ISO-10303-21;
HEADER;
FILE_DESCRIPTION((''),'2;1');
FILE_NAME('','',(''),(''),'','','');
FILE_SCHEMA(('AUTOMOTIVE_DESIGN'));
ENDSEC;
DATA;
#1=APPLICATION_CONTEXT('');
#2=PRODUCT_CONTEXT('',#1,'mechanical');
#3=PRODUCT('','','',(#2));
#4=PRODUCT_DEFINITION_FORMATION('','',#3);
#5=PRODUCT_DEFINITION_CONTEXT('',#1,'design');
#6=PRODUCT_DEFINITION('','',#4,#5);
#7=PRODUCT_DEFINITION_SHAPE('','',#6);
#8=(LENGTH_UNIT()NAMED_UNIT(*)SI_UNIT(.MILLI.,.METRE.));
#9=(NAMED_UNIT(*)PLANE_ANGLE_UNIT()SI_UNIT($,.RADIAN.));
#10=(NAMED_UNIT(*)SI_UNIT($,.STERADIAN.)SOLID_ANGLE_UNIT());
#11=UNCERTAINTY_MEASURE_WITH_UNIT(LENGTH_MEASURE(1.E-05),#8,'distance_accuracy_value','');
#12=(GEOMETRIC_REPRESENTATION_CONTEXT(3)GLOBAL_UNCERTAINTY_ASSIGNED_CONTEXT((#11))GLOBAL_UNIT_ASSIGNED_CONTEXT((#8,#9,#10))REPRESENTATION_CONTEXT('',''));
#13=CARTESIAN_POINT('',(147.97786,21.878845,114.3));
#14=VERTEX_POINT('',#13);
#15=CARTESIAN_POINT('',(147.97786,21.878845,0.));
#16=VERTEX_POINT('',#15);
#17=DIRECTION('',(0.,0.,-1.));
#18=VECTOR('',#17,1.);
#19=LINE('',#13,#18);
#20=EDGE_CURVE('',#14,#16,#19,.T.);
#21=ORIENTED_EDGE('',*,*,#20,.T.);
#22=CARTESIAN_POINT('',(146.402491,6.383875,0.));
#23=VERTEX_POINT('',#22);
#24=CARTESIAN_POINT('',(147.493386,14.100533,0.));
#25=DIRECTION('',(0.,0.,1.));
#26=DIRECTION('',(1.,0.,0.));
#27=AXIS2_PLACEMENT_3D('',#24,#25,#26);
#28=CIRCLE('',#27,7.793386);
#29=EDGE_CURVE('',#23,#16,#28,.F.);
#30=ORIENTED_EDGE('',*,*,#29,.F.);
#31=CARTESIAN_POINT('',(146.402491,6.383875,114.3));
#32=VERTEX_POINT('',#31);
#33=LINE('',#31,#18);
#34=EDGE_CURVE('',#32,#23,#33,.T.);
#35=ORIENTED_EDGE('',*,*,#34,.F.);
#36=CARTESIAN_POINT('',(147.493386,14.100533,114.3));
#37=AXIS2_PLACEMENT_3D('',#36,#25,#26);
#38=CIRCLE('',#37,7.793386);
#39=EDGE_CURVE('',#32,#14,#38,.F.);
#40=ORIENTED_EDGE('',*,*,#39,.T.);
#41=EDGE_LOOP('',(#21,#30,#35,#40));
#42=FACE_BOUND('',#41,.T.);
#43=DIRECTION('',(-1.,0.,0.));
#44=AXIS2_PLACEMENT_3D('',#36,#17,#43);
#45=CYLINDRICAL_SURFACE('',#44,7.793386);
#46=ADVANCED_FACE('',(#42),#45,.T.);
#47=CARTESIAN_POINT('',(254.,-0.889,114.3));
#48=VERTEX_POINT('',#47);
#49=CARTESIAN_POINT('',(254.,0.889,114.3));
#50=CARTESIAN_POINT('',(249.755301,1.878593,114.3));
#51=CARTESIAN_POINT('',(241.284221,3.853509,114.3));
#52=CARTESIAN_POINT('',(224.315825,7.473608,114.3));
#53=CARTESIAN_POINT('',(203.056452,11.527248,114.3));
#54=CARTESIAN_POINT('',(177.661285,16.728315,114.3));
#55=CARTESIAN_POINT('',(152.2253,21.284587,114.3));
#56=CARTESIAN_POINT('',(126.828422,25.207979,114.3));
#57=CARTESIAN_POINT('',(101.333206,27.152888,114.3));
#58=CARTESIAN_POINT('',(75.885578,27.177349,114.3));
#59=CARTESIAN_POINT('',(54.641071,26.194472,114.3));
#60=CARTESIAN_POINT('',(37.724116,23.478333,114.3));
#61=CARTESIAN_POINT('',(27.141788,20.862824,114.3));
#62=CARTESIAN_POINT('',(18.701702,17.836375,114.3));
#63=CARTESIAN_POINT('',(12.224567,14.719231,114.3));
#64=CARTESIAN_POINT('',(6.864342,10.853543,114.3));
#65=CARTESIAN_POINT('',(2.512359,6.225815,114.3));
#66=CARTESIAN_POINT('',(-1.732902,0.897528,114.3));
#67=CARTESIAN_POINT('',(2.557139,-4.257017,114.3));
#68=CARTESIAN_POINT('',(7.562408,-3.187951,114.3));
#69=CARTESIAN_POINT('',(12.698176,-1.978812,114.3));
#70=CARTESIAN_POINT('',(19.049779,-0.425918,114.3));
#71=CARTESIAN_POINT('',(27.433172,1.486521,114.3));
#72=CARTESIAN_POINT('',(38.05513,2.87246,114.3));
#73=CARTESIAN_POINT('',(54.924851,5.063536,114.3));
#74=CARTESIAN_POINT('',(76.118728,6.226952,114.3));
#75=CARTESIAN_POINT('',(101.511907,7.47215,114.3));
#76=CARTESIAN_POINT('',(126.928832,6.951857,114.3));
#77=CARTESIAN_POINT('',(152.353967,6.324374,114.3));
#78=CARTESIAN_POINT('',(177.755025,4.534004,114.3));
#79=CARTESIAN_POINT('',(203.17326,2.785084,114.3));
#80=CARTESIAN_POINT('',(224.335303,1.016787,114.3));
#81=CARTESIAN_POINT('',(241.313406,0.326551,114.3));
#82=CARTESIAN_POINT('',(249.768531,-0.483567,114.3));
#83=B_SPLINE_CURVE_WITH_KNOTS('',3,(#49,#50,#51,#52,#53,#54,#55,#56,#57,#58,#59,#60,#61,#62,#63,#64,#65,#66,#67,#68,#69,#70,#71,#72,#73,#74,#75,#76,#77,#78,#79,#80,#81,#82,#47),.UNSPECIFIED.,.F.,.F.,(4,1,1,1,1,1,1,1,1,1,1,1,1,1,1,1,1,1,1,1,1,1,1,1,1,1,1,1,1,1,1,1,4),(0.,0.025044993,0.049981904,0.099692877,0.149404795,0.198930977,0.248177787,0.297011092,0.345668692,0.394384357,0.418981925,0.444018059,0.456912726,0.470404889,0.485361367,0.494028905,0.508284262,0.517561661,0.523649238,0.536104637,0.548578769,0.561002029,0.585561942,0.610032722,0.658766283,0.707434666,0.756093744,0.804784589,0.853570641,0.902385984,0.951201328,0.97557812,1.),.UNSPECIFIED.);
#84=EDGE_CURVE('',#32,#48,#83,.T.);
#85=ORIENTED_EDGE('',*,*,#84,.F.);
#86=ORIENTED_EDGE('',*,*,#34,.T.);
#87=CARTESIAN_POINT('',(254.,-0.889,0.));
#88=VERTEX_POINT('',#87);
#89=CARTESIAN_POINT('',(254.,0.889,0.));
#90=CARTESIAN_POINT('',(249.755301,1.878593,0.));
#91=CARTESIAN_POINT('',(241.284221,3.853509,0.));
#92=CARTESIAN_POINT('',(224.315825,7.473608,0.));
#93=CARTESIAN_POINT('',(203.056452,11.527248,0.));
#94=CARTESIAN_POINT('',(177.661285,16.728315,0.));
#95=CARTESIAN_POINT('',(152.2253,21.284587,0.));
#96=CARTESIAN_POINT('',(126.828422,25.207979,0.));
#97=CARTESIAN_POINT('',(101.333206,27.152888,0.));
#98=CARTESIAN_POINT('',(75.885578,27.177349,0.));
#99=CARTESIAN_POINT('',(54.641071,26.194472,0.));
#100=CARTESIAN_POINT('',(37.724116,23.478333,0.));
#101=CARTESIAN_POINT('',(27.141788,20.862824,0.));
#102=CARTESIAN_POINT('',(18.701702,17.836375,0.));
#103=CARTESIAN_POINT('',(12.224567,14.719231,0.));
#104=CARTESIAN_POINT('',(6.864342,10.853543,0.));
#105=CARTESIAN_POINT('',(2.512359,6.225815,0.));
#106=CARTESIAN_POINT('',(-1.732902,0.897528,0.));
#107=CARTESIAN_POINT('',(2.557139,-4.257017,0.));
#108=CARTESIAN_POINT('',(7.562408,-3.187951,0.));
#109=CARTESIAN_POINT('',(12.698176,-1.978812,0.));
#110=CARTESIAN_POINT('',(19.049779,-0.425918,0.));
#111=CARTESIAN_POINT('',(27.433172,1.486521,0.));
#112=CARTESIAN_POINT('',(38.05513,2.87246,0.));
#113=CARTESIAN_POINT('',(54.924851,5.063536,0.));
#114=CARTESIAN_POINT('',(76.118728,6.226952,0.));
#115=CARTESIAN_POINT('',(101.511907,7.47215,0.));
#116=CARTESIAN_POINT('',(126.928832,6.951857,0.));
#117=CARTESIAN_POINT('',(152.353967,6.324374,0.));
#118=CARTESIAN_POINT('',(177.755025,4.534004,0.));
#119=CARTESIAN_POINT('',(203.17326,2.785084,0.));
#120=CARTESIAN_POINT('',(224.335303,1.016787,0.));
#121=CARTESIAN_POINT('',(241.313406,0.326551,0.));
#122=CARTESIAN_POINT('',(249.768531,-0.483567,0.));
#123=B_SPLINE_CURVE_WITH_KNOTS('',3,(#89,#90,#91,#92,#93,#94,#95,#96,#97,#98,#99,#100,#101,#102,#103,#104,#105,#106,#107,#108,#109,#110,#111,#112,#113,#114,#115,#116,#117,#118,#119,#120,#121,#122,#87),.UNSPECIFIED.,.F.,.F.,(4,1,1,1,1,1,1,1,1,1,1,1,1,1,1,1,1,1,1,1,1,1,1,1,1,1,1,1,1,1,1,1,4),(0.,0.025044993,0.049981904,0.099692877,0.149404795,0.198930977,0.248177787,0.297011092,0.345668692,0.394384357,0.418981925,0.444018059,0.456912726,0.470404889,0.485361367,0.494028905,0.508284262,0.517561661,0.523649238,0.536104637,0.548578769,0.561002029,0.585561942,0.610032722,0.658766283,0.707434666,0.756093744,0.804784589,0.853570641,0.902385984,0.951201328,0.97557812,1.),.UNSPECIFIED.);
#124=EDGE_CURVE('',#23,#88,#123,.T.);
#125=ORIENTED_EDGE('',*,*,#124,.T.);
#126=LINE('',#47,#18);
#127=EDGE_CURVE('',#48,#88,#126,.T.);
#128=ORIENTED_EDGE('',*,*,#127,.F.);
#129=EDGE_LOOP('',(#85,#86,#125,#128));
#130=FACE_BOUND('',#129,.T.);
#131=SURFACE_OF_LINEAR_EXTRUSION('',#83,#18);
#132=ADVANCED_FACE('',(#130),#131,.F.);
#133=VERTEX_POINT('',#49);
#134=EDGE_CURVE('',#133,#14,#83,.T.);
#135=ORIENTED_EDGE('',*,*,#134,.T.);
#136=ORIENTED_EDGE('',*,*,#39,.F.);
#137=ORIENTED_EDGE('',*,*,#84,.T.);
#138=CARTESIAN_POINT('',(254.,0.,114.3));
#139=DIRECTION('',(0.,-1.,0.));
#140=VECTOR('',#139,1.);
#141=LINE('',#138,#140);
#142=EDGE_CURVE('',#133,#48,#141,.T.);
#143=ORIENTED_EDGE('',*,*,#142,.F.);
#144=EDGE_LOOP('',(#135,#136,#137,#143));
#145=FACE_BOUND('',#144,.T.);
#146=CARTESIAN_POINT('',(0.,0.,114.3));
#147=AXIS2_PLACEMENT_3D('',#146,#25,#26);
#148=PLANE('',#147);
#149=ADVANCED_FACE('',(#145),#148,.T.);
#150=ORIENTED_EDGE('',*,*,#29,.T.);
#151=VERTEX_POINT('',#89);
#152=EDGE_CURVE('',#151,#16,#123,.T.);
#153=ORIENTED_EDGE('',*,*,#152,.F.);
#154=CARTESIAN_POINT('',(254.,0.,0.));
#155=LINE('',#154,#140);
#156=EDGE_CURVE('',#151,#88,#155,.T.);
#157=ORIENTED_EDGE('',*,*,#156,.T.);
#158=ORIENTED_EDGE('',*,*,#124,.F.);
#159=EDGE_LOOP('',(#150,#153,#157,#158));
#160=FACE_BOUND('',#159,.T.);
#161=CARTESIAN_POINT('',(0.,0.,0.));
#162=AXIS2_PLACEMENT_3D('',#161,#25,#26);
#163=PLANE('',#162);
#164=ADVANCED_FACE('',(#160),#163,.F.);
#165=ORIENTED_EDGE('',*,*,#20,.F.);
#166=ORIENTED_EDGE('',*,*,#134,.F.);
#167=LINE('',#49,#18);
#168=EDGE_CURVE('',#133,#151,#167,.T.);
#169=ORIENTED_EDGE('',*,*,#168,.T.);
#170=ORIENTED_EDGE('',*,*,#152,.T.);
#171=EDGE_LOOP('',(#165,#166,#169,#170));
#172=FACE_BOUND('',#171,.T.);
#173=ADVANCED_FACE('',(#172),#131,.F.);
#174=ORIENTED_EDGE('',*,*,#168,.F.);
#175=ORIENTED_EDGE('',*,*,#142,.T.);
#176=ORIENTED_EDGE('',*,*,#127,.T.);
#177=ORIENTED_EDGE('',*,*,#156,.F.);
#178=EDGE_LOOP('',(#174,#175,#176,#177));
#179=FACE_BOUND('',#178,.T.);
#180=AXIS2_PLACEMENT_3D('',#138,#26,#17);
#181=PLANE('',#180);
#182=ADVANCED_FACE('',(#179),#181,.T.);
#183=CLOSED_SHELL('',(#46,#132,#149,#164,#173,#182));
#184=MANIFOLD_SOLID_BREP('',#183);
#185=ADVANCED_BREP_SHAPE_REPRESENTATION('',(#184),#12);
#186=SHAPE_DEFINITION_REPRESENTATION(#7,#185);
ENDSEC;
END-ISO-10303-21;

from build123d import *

# Parameters (mm, degrees)
BOSS_EXTRUDE1_DEPTH = 114.3


with BuildPart() as part:
    # Sketch1 → Boss-Extrude1 (new body)
    with BuildSketch(Plane.XY):
        with BuildLine():
            Line((254, -0.889), (254, 0.889))
            add(Edge.make_bspline(
                [(254, 0.889), (249.755300971, 1.878593359), (241.284220881, 3.853509493), (224.315824879, 7.473607963), (203.056452147, 11.527247876), (177.661285298, 16.728315171), (159.271445788, 20.022431729), (149.372045682, 21.653055355), (147.97786, 21.878845413)],
                knots=[0, 0, 0, 0, 0.025044993, 0.049981904, 0.099692877, 0.149404795, 0.198930977, 0.207045259, 0.207045259, 0.207045259, 0.207045259], degree=3))
            ThreePointArc((147.97786, 21.878845413), (142.156665485, 19.779994096), (139.7, 14.100533107))
            ThreePointArc((139.7, 14.100533107), (141.60956807, 8.989999859), (146.402491493, 6.383875276))
            add(Edge.make_bspline(
                [(146.402491493, 6.383875276), (146.927641819, 6.363923621), (147.452765169, 6.343386084), (147.97786, 6.3222208)],
                knots=[0.793421305, 0.793421305, 0.793421305, 0.793421305, 0.796441456, 0.796441456, 0.796441456, 0.796441456], degree=3))
            add(Edge.make_bspline(
                [(147.97786, 6.3222208), (149.428428511, 6.263751943), (159.359633347, 5.830586303), (177.755025487, 4.534004477), (203.173260157, 2.785083613), (224.33530321, 1.016787469), (241.313406146, 0.326551109), (249.768531374, -0.483566797), (254, -0.889)],
                knots=[0.796441456, 0.796441456, 0.796441456, 0.796441456, 0.804784589, 0.853570641, 0.902385984, 0.951201328, 0.97557812, 1, 1, 1, 1], degree=3))
        make_face()
    extrude(amount=BOSS_EXTRUDE1_DEPTH)


solid = part.part
